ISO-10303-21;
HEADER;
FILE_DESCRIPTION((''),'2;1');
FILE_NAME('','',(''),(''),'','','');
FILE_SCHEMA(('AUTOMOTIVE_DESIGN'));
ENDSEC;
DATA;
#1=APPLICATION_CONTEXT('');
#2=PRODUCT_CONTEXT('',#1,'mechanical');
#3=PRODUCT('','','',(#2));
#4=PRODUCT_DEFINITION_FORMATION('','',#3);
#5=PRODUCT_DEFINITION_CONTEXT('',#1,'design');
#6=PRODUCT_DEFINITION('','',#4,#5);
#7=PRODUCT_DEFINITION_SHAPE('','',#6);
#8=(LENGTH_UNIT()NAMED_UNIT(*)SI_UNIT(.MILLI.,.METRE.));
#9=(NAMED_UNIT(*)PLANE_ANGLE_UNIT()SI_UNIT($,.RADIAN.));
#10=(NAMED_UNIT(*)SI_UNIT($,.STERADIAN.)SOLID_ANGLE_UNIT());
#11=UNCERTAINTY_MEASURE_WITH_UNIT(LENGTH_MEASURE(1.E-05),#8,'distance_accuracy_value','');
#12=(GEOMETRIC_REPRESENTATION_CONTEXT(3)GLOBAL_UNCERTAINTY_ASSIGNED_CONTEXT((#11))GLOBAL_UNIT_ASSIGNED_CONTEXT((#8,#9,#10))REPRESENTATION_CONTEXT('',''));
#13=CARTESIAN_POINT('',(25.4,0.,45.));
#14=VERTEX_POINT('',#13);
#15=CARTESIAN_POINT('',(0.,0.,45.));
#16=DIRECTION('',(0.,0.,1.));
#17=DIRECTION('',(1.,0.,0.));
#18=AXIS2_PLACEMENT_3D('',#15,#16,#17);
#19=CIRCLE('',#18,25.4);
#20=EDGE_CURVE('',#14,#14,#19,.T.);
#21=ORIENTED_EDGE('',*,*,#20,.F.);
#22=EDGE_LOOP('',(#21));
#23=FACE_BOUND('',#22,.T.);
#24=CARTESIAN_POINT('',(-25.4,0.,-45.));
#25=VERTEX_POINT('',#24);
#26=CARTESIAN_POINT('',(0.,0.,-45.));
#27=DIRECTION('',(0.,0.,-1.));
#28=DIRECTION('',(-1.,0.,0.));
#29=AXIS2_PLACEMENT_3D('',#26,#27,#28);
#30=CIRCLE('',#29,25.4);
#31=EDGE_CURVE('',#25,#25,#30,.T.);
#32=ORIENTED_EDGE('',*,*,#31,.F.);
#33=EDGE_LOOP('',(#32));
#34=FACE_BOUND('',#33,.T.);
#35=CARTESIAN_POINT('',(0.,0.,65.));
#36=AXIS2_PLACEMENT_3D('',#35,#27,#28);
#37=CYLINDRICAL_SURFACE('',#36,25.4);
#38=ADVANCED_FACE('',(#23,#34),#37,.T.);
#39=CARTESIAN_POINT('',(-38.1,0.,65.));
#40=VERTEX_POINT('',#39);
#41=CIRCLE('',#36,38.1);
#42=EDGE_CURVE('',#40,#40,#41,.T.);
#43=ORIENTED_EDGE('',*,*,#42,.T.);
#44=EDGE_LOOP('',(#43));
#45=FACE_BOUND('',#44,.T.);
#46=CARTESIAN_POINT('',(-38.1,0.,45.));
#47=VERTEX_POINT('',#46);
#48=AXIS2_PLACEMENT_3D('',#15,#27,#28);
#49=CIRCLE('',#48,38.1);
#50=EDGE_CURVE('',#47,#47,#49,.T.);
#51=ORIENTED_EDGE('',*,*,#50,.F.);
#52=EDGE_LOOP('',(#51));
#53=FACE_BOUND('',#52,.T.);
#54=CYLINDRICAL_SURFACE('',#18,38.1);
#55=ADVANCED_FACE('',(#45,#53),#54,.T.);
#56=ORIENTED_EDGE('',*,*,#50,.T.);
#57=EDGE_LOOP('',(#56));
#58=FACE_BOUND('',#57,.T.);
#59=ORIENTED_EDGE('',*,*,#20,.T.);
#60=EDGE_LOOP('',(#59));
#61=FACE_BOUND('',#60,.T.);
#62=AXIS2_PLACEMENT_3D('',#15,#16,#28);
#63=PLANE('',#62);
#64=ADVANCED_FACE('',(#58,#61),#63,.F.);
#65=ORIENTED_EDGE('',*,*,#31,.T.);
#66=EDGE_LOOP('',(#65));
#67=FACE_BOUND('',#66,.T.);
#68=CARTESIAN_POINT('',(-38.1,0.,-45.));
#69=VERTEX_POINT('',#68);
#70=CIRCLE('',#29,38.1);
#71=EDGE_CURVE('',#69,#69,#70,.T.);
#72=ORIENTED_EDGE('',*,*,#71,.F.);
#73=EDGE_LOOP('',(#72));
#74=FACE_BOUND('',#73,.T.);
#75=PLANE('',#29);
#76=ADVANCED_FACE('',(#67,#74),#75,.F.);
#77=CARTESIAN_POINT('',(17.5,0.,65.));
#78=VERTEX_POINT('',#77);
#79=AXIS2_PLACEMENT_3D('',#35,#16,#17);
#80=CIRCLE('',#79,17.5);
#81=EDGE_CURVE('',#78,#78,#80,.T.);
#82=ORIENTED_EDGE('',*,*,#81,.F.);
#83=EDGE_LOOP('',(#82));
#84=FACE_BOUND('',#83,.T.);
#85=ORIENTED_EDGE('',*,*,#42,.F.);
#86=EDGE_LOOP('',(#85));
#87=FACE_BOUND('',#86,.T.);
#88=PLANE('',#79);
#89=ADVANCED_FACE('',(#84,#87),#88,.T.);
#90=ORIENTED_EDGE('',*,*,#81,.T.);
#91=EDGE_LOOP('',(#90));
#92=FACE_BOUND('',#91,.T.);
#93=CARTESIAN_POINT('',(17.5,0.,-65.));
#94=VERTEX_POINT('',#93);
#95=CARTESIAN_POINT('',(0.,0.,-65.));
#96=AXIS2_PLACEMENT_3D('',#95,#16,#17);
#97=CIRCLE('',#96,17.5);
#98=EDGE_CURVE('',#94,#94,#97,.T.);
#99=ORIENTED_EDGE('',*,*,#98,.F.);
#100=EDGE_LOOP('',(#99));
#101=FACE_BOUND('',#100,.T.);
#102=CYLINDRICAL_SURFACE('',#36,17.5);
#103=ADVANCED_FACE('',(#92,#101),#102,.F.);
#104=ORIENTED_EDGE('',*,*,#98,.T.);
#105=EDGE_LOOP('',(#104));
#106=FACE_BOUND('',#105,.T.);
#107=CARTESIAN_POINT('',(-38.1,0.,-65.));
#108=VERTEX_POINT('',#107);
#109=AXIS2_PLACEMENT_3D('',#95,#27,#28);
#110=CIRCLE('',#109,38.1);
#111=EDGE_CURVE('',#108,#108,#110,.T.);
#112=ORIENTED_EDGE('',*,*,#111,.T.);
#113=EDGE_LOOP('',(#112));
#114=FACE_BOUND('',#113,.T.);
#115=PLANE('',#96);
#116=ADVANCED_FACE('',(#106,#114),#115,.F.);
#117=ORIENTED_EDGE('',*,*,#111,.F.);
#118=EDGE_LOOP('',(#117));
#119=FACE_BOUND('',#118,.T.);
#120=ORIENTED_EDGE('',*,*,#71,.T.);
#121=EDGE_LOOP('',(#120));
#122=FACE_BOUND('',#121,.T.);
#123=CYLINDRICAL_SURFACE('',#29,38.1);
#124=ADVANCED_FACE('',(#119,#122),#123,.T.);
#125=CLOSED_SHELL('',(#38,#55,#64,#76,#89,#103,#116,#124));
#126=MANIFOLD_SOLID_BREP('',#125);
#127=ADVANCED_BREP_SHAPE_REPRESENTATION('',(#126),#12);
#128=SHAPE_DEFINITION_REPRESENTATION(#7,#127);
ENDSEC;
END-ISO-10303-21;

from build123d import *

# Parameters (mm, degrees)
SKETCH1_R           = 25.4
SKETCH1_R_2         = 17.5
BOSS_EXTRUDE1_DEPTH = 65
BOSS_EXTRUDE2_START = -20
SKETCH2_R           = 38.1
SKETCH2_R_2         = 25.4
BOSS_EXTRUDE2_DEPTH = 20


with BuildPart() as part:
    # Sketch1 → Boss-Extrude1 (new, symmetric)
    with BuildSketch(Plane.XY):
        Circle(SKETCH1_R)
        Circle(SKETCH1_R_2, mode=Mode.SUBTRACT)
    extrude(amount=BOSS_EXTRUDE1_DEPTH, both=True)

    # Sketch2 → Boss-Extrude2 (add)
    with BuildSketch(Plane(origin=(0, 0, -65), x_dir=(-1, 0, 0), z_dir=(0, 0, -1)).offset(BOSS_EXTRUDE2_START)):
        Circle(SKETCH2_R)
        Circle(SKETCH2_R_2, mode=Mode.SUBTRACT)
    boss_extrude2 = extrude(amount=BOSS_EXTRUDE2_DEPTH)

    # Mirror1: Boss-Extrude2 across plane
    add(boss_extrude2.mirror(Plane.XY))


solid = part.part
